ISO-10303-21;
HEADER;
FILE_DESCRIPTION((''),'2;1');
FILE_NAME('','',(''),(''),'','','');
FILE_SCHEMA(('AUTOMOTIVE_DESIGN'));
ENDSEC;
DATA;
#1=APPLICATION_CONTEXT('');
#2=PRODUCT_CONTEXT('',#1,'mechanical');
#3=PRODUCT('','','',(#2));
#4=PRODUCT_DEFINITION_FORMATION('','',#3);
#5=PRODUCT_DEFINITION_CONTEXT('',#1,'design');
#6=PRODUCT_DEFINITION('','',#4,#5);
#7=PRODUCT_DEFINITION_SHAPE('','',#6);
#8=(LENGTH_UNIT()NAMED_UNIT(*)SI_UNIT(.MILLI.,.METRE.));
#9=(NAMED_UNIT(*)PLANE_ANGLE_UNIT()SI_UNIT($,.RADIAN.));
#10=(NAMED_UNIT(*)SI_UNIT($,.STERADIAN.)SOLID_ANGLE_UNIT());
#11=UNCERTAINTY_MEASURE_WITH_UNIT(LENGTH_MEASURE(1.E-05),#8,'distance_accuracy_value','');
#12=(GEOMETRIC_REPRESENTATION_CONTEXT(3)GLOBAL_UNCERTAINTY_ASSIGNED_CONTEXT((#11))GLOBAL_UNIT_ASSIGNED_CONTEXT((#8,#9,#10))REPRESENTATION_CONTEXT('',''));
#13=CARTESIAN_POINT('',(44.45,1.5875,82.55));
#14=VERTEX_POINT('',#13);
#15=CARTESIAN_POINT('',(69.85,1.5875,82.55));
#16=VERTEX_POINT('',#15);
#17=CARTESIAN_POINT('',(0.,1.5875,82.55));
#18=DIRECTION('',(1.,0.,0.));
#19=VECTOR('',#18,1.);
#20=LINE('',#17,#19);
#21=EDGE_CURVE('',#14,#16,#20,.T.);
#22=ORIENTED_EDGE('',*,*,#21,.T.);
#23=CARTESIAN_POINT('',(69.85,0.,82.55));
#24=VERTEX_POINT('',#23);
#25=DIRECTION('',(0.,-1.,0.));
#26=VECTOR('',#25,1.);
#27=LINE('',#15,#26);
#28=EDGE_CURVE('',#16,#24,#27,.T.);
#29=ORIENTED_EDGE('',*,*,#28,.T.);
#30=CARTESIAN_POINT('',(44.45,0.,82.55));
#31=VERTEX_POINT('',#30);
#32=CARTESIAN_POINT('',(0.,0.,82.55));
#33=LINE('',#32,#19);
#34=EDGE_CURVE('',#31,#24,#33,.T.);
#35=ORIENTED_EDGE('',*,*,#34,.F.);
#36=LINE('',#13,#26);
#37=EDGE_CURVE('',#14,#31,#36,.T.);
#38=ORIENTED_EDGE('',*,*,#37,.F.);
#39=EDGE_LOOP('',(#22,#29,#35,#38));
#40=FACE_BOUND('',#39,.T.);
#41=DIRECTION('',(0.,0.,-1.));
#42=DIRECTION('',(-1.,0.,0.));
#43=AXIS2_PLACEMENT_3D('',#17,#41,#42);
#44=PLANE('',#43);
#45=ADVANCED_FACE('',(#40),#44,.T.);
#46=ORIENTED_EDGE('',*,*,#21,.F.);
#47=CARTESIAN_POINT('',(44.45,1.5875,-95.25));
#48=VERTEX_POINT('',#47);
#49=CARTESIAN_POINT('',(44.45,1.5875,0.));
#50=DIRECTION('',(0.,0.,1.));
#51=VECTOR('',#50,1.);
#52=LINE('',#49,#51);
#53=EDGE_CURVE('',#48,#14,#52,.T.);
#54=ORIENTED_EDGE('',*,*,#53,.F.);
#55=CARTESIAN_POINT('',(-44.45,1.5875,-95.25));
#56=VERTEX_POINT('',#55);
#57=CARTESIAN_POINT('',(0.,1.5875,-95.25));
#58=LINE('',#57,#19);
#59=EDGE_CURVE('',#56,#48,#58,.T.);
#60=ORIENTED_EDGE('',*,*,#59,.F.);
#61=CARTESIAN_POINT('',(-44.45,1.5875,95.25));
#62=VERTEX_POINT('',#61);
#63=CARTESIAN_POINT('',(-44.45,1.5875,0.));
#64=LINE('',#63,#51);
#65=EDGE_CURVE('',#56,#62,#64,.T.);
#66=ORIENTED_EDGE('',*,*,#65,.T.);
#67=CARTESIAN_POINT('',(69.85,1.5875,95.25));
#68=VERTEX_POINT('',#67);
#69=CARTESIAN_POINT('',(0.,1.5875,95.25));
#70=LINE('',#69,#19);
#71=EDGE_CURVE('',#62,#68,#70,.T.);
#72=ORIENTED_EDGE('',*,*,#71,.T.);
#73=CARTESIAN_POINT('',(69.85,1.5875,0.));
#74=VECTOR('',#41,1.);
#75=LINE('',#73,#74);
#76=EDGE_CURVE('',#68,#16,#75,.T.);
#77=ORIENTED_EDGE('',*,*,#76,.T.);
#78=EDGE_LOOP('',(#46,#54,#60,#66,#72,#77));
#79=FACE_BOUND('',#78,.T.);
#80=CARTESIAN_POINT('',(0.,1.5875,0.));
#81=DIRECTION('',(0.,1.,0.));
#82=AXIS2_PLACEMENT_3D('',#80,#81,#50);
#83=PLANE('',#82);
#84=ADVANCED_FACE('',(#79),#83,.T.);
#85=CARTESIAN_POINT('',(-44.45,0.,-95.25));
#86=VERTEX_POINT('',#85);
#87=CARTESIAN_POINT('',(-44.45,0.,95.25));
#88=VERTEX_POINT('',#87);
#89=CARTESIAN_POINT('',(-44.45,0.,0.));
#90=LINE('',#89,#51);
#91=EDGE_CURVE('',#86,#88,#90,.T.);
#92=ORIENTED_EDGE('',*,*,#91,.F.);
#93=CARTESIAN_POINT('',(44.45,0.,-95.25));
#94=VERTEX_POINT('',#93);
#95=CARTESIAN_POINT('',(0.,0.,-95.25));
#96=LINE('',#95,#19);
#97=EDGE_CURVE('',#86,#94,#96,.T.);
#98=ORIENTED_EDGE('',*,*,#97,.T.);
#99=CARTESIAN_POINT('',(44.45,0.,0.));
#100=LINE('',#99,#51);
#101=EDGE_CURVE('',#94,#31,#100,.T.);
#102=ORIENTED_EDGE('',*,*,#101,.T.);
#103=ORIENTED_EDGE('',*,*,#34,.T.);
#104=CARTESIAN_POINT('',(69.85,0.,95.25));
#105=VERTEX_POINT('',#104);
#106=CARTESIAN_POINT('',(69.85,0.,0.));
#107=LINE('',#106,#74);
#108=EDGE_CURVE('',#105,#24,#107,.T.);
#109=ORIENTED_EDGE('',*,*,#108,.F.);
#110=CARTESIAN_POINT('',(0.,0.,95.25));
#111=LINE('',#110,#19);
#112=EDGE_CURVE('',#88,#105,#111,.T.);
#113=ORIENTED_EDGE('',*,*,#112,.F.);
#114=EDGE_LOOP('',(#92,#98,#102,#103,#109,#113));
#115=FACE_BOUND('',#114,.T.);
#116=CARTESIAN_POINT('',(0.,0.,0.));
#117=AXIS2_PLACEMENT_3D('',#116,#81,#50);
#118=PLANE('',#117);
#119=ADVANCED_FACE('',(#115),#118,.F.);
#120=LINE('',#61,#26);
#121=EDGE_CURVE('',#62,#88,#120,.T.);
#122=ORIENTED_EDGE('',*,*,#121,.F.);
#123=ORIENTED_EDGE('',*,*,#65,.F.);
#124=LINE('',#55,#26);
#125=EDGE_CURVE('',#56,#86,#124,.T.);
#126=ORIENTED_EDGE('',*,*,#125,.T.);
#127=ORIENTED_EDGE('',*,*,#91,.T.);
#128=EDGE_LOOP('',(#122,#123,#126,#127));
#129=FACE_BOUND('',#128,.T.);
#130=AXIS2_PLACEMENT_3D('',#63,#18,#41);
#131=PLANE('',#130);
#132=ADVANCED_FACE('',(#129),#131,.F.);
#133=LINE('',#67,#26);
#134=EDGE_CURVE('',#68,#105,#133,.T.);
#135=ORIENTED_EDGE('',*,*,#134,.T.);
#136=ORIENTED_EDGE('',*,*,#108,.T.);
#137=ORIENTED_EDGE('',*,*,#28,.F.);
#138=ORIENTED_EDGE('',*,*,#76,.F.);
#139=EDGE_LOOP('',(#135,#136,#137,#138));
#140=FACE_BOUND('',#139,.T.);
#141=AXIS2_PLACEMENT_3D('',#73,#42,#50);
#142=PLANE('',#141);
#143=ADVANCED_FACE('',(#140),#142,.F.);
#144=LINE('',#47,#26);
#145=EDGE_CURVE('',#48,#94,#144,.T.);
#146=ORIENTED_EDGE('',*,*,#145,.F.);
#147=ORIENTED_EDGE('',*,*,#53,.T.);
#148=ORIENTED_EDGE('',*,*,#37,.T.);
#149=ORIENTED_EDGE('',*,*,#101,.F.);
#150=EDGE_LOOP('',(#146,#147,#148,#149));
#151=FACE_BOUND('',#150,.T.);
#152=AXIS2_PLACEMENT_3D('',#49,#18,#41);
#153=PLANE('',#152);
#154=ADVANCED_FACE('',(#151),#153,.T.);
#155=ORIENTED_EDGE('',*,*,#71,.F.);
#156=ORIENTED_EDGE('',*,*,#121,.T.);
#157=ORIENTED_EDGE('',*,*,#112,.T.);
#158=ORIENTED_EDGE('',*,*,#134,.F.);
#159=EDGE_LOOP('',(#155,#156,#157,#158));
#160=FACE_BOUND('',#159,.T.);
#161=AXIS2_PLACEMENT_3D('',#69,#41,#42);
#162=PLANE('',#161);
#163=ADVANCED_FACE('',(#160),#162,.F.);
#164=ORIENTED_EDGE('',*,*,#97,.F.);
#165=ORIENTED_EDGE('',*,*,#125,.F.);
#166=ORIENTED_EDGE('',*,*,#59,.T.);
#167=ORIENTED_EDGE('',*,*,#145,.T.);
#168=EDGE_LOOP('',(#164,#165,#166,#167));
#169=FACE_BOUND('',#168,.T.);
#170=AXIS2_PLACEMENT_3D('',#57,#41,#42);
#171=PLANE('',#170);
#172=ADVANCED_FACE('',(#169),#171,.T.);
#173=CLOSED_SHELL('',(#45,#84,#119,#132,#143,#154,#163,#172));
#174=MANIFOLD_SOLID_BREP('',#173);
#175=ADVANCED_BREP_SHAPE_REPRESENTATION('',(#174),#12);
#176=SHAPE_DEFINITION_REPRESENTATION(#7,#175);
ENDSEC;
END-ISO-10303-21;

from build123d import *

# Parameters (mm, degrees)
SKETCH1_W           = 25.4
SKETCH1_H           = 12.7
BOSS_EXTRUDE1_DEPTH = 1.5875


with BuildPart() as part:
    # Sketch1 → Boss-Extrude1 (new body)
    with BuildSketch(Plane(origin=(0, 0, 0), x_dir=(1, 0, 0), z_dir=(0, 1, 0))):
        Polygon((-44.45, -95.25), (44.45, -95.25), (44.45, -82.55), (44.45, 95.25), (-44.45, 95.25), align=None)
        with Locations((57.15, -88.9)):
            Rectangle(SKETCH1_W, SKETCH1_H)
    extrude(amount=BOSS_EXTRUDE1_DEPTH)


solid = part.part
